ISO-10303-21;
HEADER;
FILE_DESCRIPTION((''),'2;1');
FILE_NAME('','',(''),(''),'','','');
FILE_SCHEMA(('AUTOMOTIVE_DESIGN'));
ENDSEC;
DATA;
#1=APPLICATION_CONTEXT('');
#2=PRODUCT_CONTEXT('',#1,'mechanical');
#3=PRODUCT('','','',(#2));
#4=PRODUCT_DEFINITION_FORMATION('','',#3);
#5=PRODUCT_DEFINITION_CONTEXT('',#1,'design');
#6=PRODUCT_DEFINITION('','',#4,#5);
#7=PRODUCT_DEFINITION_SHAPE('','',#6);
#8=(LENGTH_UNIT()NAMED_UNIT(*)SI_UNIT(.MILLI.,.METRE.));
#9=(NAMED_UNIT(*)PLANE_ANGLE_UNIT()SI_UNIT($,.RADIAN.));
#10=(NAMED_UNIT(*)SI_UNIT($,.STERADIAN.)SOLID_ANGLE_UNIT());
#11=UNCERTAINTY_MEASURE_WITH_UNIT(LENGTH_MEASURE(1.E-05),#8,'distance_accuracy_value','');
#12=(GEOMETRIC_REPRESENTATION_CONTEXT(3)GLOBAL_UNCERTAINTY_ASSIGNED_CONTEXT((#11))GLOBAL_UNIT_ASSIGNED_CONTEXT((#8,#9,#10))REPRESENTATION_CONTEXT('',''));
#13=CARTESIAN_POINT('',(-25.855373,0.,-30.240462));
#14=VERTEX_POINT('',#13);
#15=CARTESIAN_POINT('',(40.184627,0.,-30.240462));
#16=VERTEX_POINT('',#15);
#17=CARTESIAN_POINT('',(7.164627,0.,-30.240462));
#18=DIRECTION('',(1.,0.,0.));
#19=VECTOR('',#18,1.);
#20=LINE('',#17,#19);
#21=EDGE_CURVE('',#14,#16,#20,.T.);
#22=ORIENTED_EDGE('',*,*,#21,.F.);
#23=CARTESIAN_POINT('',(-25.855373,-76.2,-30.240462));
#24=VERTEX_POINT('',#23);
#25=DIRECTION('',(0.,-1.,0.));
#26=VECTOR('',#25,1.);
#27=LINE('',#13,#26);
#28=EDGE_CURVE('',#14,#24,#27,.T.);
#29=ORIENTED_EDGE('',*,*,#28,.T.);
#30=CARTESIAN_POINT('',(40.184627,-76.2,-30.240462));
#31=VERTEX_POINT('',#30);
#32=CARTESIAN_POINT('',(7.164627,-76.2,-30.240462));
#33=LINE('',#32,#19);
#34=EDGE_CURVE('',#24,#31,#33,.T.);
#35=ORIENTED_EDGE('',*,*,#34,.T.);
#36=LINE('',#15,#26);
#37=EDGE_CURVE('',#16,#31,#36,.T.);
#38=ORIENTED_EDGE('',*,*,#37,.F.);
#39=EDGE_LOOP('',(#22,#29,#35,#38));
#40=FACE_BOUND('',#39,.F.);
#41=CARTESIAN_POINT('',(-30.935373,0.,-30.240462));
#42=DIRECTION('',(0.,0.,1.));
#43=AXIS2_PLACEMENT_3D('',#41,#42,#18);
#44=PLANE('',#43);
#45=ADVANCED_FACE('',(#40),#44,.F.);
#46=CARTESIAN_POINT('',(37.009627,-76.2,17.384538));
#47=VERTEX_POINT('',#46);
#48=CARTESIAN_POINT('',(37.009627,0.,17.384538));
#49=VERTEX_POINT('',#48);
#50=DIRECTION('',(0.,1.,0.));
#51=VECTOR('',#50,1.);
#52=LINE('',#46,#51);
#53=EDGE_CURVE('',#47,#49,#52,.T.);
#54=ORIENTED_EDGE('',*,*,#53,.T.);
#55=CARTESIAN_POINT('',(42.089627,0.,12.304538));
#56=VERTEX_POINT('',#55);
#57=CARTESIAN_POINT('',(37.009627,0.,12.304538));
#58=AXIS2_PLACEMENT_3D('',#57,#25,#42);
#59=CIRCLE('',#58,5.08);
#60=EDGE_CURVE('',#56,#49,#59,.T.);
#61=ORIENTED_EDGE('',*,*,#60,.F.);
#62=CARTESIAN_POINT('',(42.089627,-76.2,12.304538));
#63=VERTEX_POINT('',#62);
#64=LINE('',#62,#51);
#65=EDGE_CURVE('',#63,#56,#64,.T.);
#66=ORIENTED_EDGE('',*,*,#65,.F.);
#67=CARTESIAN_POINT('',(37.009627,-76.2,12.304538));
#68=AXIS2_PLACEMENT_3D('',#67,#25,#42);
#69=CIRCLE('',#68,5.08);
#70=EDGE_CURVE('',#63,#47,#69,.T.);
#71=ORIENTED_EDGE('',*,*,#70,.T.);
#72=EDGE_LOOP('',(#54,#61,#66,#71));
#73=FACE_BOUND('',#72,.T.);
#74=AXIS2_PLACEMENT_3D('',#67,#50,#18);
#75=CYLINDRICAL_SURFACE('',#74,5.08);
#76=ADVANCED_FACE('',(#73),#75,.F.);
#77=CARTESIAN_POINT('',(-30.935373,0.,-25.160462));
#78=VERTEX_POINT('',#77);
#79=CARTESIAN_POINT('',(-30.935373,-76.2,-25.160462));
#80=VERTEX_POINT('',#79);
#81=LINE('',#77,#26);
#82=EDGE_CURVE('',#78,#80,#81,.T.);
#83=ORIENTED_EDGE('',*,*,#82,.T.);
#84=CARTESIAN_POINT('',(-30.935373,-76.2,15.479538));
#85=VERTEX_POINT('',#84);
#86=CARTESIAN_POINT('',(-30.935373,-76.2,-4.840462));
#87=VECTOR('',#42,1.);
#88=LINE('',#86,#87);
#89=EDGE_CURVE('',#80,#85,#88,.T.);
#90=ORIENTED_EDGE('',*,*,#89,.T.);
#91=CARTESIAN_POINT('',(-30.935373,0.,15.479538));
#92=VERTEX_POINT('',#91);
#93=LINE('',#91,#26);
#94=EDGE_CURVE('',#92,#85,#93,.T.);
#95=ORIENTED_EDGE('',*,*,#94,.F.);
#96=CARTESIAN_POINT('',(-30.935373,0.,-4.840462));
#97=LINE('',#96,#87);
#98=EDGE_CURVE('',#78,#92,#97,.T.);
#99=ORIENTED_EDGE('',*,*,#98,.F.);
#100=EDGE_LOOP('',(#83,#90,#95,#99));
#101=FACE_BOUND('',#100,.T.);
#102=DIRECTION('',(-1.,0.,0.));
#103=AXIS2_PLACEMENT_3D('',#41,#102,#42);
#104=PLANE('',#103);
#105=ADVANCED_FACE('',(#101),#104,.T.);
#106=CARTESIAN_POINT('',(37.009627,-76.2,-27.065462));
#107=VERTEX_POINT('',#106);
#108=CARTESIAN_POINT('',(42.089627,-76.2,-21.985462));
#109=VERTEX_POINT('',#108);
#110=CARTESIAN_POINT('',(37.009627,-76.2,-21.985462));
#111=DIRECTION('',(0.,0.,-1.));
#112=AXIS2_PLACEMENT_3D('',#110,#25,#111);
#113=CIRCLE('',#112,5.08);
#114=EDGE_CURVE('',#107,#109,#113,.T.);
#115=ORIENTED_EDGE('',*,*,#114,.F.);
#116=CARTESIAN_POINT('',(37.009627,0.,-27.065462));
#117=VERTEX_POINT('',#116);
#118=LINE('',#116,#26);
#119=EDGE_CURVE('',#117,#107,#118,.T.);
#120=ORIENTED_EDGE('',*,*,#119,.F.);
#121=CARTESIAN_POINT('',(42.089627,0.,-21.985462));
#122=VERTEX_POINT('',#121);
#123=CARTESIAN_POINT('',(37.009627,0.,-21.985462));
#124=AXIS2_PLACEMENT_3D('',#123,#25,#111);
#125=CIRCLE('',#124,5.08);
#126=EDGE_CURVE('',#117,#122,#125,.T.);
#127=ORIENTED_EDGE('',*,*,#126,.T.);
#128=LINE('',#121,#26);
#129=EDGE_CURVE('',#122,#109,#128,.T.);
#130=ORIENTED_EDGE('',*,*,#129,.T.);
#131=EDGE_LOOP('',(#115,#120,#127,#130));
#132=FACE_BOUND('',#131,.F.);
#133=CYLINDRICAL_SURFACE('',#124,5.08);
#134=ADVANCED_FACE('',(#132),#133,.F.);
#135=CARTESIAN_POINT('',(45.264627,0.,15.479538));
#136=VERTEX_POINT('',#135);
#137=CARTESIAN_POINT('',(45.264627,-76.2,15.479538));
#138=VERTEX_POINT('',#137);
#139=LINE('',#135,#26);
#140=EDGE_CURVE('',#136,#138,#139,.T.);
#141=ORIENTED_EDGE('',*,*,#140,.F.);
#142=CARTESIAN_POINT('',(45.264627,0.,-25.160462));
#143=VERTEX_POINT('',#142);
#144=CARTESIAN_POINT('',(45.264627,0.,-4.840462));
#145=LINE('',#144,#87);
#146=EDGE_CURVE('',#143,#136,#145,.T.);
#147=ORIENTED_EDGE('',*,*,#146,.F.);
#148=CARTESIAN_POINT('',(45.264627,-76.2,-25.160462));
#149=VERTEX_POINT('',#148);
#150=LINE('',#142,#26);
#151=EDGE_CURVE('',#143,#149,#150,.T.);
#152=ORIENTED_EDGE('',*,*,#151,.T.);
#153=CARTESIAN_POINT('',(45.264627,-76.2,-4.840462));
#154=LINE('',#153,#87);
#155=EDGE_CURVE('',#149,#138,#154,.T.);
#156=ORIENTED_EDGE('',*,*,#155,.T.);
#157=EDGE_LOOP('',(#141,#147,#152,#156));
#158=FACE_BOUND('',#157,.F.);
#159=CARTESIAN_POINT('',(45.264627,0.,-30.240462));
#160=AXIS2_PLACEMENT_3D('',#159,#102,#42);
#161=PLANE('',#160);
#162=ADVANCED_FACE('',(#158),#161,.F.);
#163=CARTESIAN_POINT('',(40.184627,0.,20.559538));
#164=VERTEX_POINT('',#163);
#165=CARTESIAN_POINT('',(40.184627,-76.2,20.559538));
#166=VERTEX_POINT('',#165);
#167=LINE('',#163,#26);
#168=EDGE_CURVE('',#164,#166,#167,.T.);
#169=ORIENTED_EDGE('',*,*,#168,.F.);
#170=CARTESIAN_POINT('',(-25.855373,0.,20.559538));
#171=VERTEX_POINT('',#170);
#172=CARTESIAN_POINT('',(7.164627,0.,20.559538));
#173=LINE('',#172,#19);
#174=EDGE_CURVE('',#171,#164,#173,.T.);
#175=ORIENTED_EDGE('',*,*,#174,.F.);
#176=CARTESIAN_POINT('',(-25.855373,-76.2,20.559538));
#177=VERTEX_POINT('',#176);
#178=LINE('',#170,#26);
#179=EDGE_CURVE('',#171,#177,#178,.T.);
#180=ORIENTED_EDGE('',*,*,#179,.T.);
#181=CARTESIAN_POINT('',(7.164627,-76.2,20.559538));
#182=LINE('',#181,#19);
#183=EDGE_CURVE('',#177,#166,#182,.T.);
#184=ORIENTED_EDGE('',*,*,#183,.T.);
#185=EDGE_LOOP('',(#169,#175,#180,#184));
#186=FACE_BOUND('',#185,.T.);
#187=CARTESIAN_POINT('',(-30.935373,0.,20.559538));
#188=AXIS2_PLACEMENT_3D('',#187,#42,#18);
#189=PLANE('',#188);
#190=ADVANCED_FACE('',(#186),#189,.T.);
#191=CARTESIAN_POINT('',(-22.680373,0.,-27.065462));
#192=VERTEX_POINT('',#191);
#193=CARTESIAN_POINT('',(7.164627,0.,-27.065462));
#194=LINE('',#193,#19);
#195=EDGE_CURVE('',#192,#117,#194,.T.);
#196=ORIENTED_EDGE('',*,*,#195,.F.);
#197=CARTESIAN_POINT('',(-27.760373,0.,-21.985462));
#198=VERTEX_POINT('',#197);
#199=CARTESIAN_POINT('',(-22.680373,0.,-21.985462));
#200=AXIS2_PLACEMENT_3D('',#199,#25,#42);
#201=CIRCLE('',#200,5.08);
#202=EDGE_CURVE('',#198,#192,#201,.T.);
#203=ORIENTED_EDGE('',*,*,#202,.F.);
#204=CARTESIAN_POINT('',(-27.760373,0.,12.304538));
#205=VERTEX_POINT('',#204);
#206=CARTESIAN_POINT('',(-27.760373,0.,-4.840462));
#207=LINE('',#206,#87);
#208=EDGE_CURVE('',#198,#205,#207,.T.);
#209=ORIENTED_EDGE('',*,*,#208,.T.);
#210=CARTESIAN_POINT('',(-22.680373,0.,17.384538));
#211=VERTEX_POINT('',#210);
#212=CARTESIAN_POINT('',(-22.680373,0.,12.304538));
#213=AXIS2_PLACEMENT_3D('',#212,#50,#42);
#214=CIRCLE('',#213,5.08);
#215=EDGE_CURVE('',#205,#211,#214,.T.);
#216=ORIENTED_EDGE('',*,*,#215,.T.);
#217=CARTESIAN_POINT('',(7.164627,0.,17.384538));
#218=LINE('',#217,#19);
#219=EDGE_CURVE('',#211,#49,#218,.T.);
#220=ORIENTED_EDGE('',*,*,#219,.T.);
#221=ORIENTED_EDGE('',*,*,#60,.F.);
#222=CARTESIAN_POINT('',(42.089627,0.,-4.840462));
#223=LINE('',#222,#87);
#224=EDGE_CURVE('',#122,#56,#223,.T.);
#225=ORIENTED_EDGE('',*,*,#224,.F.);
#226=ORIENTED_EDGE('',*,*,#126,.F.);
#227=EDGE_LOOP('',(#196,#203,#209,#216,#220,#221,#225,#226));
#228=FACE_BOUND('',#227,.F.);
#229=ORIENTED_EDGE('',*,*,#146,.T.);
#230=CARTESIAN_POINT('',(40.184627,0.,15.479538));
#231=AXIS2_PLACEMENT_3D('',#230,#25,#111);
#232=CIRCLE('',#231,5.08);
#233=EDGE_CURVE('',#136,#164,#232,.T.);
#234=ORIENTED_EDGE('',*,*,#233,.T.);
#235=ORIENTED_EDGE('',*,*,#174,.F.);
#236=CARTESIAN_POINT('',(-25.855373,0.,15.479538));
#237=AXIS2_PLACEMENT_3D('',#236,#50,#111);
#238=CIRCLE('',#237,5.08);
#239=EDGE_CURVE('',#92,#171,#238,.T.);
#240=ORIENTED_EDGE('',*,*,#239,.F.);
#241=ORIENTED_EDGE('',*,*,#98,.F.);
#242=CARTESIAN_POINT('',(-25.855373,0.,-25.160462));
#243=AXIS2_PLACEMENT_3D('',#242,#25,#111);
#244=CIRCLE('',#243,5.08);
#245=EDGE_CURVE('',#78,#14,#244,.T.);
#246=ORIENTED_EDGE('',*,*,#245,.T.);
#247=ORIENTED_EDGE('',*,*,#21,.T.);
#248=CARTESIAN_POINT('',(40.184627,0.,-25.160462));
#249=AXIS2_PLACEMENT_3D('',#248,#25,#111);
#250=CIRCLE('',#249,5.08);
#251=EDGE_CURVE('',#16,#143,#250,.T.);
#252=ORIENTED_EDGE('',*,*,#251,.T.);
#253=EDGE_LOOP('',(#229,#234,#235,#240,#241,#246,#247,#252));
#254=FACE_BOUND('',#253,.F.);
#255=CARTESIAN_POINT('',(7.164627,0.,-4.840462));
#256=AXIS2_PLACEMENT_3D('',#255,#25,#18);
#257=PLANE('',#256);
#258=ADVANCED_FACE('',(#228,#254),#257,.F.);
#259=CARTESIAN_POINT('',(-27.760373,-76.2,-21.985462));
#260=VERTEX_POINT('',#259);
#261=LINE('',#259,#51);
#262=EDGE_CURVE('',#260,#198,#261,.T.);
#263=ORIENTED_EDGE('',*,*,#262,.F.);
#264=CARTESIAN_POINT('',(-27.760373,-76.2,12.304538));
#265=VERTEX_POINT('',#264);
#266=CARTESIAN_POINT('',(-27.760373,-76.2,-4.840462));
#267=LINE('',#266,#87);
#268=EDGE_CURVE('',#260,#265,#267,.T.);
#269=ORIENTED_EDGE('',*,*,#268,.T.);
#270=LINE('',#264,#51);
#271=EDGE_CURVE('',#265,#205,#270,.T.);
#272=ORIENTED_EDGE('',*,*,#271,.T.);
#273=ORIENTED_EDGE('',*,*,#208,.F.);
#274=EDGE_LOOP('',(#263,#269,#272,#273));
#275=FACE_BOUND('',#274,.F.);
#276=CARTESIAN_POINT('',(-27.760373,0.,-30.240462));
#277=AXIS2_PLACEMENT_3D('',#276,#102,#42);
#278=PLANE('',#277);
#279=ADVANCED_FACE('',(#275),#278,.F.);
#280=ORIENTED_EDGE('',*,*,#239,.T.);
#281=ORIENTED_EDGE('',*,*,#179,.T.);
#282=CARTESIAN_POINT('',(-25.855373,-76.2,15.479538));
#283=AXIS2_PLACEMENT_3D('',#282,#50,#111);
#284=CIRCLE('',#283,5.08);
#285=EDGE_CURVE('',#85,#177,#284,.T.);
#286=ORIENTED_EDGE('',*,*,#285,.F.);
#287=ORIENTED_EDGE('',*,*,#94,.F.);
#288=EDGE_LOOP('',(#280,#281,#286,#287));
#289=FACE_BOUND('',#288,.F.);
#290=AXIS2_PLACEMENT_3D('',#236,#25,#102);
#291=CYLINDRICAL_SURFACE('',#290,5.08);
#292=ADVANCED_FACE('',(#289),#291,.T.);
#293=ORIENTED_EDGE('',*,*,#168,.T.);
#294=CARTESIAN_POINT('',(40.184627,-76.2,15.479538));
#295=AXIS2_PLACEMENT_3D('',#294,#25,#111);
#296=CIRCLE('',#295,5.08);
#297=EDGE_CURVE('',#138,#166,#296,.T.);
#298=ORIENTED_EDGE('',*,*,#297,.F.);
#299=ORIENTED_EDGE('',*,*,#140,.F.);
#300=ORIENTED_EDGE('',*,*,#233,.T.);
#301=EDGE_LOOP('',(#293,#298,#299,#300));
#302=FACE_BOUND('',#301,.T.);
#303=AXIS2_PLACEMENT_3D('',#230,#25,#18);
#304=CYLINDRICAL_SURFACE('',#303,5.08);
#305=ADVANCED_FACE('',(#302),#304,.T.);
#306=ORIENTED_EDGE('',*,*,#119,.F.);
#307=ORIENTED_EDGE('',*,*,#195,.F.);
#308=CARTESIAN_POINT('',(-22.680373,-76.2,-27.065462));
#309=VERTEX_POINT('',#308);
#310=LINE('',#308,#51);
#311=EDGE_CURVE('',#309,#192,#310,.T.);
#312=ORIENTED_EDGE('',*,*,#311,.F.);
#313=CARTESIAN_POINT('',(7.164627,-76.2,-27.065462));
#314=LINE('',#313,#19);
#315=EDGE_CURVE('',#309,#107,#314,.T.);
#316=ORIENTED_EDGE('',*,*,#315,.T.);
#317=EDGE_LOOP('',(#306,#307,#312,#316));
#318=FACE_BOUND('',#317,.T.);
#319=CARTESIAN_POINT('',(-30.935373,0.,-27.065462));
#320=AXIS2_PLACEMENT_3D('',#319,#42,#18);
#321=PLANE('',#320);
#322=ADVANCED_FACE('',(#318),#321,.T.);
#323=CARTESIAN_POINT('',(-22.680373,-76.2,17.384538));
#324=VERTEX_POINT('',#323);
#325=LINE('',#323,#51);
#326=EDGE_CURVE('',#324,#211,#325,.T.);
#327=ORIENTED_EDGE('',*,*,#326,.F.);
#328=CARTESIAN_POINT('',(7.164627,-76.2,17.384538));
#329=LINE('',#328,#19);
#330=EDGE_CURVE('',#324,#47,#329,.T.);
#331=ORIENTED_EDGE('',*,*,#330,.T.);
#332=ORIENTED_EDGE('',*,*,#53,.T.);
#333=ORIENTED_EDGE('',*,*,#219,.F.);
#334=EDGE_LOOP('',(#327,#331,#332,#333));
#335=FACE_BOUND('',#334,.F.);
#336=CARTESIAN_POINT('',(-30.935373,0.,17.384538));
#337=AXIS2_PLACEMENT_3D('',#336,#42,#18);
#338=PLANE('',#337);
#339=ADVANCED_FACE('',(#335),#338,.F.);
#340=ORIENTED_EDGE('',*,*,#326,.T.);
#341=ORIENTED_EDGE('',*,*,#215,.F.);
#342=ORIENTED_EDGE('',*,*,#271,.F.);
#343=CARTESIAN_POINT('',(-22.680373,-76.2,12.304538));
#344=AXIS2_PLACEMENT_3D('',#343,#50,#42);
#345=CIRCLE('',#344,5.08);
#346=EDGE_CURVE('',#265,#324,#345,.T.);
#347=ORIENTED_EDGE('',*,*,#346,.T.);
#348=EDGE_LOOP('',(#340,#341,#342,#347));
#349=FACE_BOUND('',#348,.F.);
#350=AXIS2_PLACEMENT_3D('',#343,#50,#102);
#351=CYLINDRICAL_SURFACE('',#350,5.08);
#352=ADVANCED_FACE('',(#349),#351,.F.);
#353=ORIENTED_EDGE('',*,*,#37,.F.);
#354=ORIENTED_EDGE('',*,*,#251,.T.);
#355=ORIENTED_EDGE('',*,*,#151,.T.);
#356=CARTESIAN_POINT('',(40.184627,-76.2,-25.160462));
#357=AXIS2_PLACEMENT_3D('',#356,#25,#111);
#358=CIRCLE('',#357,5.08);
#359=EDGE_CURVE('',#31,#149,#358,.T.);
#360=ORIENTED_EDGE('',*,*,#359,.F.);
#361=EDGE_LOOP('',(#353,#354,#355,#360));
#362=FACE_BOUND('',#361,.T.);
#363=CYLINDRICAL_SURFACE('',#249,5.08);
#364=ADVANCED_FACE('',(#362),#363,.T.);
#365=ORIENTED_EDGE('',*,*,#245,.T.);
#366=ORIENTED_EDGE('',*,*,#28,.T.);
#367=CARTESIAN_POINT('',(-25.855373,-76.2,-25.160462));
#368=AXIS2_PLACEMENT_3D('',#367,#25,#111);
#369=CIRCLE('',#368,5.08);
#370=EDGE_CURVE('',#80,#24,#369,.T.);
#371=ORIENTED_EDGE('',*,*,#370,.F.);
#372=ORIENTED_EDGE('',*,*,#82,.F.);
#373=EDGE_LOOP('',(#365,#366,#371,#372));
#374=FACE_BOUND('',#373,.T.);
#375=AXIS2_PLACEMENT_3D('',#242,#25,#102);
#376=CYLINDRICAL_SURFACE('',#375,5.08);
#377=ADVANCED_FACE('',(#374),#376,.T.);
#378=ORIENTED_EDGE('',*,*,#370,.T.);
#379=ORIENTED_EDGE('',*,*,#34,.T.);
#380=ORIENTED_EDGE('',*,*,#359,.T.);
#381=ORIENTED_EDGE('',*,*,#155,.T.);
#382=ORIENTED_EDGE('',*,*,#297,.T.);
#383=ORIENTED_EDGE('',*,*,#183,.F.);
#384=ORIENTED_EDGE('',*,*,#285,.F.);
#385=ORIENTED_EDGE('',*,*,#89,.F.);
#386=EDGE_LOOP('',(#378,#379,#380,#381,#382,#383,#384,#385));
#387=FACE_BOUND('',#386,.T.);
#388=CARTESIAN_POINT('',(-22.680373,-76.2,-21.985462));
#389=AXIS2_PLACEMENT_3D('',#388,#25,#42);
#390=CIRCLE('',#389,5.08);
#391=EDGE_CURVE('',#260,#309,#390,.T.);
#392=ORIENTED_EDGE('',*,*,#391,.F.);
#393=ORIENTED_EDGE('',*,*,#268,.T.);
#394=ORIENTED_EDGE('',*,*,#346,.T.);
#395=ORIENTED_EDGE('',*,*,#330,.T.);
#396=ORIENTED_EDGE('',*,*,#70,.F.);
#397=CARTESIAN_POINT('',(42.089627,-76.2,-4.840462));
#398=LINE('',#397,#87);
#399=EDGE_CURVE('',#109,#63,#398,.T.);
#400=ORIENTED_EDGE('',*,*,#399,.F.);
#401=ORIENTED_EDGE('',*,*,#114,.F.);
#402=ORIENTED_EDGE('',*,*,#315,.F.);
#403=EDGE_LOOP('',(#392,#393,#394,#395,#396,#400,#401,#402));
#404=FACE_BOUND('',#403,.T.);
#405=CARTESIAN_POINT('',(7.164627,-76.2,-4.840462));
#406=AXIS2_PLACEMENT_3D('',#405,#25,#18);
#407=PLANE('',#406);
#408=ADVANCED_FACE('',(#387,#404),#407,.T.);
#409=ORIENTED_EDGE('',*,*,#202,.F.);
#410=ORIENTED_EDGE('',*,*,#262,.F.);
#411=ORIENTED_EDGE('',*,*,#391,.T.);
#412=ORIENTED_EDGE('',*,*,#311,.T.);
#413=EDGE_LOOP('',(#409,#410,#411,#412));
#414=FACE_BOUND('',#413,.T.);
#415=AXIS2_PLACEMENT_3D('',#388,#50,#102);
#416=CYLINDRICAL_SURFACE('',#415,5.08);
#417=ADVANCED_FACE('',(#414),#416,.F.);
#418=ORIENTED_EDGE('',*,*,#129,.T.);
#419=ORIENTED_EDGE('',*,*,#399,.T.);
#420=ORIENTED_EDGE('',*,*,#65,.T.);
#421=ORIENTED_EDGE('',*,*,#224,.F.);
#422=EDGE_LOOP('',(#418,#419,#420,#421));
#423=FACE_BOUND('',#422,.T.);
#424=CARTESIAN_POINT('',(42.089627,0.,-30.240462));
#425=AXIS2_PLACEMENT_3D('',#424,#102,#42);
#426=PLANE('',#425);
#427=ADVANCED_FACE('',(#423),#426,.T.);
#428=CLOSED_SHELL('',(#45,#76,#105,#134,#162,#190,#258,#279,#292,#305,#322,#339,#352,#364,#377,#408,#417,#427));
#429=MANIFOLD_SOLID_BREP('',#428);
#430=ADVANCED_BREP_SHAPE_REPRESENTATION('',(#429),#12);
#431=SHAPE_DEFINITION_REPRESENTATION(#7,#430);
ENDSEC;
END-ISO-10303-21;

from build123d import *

# Parameters (mm, degrees)
F0_W     = 76.2
F0_H     = 50.8
F1_DEPTH = 76.2
F2_T     = -3.175
F3_R     = 5.08


with BuildPart() as f1:
    # F0 (on Front) → F1 (new body)
    with BuildSketch(Plane.XZ):
        with Locations((7.1646266146, -4.8404615372)):
            Rectangle(F0_W, F0_H)
    extrude(amount=F1_DEPTH)

    # F2
    f2_openings = [f1.faces().sort_by_distance(p)[0] for p in [
        (7.164627, -76.2, -4.840462),
        (7.164627, 0, -4.840462),
    ]]
    offset(amount=F2_T, openings=f2_openings)

    # F3
    f3_edges = [f1.edges().sort_by_distance(p)[0] for p in [
        (45.264627, -38.1, 20.559538),
        (-30.935373, -38.1, 20.559538),
        (45.264627, -38.1, -30.240462),
        (-30.935373, -38.1, -30.240462),
        (42.089627, -38.1, -27.065462),
        (-27.760373, -38.1, -27.065462),
        (-27.760373, -38.1, 17.384538),
        (42.089627, -38.1, 17.384538),
    ]]
    fillet(f3_edges, radius=F3_R)


solid = f1.part
